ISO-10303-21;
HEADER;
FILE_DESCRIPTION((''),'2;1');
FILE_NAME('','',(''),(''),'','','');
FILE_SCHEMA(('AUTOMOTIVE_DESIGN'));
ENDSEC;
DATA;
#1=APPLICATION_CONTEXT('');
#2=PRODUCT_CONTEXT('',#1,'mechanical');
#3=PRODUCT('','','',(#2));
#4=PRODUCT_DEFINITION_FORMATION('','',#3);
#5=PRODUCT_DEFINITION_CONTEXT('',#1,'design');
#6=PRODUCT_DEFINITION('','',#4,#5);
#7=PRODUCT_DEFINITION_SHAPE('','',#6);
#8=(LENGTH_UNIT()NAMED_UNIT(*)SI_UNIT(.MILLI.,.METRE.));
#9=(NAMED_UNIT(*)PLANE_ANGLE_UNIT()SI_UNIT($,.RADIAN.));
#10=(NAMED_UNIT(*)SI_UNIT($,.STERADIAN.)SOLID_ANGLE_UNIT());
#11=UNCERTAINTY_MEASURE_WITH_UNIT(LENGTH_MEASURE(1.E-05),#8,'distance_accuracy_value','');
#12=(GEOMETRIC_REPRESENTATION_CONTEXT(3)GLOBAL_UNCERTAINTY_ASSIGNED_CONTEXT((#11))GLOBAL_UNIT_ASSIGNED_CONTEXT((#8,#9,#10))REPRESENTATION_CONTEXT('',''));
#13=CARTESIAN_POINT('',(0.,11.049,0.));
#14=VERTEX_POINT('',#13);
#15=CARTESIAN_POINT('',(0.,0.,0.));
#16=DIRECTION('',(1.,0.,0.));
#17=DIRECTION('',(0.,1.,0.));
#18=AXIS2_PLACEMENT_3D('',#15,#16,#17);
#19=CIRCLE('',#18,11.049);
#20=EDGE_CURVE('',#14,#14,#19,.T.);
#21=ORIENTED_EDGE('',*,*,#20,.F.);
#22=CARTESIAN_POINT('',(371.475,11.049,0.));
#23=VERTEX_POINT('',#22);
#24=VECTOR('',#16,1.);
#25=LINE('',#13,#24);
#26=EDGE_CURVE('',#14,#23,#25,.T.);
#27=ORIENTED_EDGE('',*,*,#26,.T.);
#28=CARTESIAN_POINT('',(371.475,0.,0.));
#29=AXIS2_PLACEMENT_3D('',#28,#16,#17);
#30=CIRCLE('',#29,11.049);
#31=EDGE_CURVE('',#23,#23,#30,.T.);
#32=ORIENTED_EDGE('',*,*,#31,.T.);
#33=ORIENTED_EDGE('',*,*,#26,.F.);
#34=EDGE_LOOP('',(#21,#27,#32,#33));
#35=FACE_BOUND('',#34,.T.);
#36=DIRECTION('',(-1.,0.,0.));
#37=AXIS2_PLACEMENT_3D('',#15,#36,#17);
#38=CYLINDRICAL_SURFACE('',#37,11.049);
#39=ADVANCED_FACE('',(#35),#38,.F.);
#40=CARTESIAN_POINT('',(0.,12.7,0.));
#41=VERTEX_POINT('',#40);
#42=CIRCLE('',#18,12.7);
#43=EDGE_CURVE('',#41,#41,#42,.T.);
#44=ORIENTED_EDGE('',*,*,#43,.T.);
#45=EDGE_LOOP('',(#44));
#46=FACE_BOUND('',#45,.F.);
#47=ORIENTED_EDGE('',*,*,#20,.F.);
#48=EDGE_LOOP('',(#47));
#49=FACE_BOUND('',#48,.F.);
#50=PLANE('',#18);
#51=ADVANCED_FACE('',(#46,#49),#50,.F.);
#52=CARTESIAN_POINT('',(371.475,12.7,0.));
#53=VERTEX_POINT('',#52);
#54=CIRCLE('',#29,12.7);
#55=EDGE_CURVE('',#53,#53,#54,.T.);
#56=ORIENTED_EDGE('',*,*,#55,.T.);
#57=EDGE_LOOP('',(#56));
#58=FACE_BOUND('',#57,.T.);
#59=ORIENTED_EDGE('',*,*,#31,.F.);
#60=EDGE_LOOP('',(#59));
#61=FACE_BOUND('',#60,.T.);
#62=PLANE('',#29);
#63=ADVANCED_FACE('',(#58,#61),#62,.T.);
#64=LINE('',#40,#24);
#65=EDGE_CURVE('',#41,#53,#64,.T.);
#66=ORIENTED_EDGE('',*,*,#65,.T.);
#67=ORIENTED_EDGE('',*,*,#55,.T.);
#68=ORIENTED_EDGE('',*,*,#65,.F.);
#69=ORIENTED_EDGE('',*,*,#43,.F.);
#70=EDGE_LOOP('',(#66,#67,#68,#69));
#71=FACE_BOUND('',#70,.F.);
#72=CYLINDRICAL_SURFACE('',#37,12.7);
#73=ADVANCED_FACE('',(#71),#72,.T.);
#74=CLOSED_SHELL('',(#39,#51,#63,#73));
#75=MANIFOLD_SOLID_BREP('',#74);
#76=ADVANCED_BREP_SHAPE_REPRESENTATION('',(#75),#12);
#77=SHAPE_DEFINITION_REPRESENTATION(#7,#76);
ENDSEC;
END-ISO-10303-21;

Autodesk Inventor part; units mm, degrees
ref_plane "XZ Plane" through (0, 0, 0) normal (0, 1, 0) x (-1, 0, 0)
ref_plane "Start Plane" through (0, 0, 0) normal (1, 0, 0) x (0, 1, 0)
ref_plane "End Plane" through (371.475, 0, 0) normal (1, 0, 0) x (0, 1, 0)
sketch "Sketch" plane through (0, 0, 0) normal (1, 0, 0) x (0, 1, 0)
  circle A0 centre (0, 0) radius 12.7
  circle A1 centre (0, 0) radius 11.049
  dimension "d0" = 25.4
  dimension "d1" = 1.651
extrude "Body" add sketch "Sketch" along normal up to surface (371.475 mm away) from surface at 0
sketch "Sketch2" plane through (0, 0, 0) normal (1, 0, 0) x (0, 1, 0)
  line L0 (0, 0) -> (10, 0)
ref_plane "Work Plane3" through (0, 0, 0) normal (0, 0, -1) x (0, 1, 0)
sketch "Sketch3" plane through (0, 0, 0) normal (0, 0, -1) x (0, 1, 0)
  line L0 (-2, 0) -> (12, 0)
  line L1 (-2, 371.475) -> (12, 371.475)
  dimension "d9" = 371.475
equation "\"G_OFFSET_START\" = 0"
equation "\"G_OFFSET_END\" = 0"
equation "\"d5\" = d2 + G_OFFSET_END"
equation "\"G_L\" = d9"
equation "\"d2\" = 371.475"
properties part number "4130_1x0.065" material "Steel, Alloy"
